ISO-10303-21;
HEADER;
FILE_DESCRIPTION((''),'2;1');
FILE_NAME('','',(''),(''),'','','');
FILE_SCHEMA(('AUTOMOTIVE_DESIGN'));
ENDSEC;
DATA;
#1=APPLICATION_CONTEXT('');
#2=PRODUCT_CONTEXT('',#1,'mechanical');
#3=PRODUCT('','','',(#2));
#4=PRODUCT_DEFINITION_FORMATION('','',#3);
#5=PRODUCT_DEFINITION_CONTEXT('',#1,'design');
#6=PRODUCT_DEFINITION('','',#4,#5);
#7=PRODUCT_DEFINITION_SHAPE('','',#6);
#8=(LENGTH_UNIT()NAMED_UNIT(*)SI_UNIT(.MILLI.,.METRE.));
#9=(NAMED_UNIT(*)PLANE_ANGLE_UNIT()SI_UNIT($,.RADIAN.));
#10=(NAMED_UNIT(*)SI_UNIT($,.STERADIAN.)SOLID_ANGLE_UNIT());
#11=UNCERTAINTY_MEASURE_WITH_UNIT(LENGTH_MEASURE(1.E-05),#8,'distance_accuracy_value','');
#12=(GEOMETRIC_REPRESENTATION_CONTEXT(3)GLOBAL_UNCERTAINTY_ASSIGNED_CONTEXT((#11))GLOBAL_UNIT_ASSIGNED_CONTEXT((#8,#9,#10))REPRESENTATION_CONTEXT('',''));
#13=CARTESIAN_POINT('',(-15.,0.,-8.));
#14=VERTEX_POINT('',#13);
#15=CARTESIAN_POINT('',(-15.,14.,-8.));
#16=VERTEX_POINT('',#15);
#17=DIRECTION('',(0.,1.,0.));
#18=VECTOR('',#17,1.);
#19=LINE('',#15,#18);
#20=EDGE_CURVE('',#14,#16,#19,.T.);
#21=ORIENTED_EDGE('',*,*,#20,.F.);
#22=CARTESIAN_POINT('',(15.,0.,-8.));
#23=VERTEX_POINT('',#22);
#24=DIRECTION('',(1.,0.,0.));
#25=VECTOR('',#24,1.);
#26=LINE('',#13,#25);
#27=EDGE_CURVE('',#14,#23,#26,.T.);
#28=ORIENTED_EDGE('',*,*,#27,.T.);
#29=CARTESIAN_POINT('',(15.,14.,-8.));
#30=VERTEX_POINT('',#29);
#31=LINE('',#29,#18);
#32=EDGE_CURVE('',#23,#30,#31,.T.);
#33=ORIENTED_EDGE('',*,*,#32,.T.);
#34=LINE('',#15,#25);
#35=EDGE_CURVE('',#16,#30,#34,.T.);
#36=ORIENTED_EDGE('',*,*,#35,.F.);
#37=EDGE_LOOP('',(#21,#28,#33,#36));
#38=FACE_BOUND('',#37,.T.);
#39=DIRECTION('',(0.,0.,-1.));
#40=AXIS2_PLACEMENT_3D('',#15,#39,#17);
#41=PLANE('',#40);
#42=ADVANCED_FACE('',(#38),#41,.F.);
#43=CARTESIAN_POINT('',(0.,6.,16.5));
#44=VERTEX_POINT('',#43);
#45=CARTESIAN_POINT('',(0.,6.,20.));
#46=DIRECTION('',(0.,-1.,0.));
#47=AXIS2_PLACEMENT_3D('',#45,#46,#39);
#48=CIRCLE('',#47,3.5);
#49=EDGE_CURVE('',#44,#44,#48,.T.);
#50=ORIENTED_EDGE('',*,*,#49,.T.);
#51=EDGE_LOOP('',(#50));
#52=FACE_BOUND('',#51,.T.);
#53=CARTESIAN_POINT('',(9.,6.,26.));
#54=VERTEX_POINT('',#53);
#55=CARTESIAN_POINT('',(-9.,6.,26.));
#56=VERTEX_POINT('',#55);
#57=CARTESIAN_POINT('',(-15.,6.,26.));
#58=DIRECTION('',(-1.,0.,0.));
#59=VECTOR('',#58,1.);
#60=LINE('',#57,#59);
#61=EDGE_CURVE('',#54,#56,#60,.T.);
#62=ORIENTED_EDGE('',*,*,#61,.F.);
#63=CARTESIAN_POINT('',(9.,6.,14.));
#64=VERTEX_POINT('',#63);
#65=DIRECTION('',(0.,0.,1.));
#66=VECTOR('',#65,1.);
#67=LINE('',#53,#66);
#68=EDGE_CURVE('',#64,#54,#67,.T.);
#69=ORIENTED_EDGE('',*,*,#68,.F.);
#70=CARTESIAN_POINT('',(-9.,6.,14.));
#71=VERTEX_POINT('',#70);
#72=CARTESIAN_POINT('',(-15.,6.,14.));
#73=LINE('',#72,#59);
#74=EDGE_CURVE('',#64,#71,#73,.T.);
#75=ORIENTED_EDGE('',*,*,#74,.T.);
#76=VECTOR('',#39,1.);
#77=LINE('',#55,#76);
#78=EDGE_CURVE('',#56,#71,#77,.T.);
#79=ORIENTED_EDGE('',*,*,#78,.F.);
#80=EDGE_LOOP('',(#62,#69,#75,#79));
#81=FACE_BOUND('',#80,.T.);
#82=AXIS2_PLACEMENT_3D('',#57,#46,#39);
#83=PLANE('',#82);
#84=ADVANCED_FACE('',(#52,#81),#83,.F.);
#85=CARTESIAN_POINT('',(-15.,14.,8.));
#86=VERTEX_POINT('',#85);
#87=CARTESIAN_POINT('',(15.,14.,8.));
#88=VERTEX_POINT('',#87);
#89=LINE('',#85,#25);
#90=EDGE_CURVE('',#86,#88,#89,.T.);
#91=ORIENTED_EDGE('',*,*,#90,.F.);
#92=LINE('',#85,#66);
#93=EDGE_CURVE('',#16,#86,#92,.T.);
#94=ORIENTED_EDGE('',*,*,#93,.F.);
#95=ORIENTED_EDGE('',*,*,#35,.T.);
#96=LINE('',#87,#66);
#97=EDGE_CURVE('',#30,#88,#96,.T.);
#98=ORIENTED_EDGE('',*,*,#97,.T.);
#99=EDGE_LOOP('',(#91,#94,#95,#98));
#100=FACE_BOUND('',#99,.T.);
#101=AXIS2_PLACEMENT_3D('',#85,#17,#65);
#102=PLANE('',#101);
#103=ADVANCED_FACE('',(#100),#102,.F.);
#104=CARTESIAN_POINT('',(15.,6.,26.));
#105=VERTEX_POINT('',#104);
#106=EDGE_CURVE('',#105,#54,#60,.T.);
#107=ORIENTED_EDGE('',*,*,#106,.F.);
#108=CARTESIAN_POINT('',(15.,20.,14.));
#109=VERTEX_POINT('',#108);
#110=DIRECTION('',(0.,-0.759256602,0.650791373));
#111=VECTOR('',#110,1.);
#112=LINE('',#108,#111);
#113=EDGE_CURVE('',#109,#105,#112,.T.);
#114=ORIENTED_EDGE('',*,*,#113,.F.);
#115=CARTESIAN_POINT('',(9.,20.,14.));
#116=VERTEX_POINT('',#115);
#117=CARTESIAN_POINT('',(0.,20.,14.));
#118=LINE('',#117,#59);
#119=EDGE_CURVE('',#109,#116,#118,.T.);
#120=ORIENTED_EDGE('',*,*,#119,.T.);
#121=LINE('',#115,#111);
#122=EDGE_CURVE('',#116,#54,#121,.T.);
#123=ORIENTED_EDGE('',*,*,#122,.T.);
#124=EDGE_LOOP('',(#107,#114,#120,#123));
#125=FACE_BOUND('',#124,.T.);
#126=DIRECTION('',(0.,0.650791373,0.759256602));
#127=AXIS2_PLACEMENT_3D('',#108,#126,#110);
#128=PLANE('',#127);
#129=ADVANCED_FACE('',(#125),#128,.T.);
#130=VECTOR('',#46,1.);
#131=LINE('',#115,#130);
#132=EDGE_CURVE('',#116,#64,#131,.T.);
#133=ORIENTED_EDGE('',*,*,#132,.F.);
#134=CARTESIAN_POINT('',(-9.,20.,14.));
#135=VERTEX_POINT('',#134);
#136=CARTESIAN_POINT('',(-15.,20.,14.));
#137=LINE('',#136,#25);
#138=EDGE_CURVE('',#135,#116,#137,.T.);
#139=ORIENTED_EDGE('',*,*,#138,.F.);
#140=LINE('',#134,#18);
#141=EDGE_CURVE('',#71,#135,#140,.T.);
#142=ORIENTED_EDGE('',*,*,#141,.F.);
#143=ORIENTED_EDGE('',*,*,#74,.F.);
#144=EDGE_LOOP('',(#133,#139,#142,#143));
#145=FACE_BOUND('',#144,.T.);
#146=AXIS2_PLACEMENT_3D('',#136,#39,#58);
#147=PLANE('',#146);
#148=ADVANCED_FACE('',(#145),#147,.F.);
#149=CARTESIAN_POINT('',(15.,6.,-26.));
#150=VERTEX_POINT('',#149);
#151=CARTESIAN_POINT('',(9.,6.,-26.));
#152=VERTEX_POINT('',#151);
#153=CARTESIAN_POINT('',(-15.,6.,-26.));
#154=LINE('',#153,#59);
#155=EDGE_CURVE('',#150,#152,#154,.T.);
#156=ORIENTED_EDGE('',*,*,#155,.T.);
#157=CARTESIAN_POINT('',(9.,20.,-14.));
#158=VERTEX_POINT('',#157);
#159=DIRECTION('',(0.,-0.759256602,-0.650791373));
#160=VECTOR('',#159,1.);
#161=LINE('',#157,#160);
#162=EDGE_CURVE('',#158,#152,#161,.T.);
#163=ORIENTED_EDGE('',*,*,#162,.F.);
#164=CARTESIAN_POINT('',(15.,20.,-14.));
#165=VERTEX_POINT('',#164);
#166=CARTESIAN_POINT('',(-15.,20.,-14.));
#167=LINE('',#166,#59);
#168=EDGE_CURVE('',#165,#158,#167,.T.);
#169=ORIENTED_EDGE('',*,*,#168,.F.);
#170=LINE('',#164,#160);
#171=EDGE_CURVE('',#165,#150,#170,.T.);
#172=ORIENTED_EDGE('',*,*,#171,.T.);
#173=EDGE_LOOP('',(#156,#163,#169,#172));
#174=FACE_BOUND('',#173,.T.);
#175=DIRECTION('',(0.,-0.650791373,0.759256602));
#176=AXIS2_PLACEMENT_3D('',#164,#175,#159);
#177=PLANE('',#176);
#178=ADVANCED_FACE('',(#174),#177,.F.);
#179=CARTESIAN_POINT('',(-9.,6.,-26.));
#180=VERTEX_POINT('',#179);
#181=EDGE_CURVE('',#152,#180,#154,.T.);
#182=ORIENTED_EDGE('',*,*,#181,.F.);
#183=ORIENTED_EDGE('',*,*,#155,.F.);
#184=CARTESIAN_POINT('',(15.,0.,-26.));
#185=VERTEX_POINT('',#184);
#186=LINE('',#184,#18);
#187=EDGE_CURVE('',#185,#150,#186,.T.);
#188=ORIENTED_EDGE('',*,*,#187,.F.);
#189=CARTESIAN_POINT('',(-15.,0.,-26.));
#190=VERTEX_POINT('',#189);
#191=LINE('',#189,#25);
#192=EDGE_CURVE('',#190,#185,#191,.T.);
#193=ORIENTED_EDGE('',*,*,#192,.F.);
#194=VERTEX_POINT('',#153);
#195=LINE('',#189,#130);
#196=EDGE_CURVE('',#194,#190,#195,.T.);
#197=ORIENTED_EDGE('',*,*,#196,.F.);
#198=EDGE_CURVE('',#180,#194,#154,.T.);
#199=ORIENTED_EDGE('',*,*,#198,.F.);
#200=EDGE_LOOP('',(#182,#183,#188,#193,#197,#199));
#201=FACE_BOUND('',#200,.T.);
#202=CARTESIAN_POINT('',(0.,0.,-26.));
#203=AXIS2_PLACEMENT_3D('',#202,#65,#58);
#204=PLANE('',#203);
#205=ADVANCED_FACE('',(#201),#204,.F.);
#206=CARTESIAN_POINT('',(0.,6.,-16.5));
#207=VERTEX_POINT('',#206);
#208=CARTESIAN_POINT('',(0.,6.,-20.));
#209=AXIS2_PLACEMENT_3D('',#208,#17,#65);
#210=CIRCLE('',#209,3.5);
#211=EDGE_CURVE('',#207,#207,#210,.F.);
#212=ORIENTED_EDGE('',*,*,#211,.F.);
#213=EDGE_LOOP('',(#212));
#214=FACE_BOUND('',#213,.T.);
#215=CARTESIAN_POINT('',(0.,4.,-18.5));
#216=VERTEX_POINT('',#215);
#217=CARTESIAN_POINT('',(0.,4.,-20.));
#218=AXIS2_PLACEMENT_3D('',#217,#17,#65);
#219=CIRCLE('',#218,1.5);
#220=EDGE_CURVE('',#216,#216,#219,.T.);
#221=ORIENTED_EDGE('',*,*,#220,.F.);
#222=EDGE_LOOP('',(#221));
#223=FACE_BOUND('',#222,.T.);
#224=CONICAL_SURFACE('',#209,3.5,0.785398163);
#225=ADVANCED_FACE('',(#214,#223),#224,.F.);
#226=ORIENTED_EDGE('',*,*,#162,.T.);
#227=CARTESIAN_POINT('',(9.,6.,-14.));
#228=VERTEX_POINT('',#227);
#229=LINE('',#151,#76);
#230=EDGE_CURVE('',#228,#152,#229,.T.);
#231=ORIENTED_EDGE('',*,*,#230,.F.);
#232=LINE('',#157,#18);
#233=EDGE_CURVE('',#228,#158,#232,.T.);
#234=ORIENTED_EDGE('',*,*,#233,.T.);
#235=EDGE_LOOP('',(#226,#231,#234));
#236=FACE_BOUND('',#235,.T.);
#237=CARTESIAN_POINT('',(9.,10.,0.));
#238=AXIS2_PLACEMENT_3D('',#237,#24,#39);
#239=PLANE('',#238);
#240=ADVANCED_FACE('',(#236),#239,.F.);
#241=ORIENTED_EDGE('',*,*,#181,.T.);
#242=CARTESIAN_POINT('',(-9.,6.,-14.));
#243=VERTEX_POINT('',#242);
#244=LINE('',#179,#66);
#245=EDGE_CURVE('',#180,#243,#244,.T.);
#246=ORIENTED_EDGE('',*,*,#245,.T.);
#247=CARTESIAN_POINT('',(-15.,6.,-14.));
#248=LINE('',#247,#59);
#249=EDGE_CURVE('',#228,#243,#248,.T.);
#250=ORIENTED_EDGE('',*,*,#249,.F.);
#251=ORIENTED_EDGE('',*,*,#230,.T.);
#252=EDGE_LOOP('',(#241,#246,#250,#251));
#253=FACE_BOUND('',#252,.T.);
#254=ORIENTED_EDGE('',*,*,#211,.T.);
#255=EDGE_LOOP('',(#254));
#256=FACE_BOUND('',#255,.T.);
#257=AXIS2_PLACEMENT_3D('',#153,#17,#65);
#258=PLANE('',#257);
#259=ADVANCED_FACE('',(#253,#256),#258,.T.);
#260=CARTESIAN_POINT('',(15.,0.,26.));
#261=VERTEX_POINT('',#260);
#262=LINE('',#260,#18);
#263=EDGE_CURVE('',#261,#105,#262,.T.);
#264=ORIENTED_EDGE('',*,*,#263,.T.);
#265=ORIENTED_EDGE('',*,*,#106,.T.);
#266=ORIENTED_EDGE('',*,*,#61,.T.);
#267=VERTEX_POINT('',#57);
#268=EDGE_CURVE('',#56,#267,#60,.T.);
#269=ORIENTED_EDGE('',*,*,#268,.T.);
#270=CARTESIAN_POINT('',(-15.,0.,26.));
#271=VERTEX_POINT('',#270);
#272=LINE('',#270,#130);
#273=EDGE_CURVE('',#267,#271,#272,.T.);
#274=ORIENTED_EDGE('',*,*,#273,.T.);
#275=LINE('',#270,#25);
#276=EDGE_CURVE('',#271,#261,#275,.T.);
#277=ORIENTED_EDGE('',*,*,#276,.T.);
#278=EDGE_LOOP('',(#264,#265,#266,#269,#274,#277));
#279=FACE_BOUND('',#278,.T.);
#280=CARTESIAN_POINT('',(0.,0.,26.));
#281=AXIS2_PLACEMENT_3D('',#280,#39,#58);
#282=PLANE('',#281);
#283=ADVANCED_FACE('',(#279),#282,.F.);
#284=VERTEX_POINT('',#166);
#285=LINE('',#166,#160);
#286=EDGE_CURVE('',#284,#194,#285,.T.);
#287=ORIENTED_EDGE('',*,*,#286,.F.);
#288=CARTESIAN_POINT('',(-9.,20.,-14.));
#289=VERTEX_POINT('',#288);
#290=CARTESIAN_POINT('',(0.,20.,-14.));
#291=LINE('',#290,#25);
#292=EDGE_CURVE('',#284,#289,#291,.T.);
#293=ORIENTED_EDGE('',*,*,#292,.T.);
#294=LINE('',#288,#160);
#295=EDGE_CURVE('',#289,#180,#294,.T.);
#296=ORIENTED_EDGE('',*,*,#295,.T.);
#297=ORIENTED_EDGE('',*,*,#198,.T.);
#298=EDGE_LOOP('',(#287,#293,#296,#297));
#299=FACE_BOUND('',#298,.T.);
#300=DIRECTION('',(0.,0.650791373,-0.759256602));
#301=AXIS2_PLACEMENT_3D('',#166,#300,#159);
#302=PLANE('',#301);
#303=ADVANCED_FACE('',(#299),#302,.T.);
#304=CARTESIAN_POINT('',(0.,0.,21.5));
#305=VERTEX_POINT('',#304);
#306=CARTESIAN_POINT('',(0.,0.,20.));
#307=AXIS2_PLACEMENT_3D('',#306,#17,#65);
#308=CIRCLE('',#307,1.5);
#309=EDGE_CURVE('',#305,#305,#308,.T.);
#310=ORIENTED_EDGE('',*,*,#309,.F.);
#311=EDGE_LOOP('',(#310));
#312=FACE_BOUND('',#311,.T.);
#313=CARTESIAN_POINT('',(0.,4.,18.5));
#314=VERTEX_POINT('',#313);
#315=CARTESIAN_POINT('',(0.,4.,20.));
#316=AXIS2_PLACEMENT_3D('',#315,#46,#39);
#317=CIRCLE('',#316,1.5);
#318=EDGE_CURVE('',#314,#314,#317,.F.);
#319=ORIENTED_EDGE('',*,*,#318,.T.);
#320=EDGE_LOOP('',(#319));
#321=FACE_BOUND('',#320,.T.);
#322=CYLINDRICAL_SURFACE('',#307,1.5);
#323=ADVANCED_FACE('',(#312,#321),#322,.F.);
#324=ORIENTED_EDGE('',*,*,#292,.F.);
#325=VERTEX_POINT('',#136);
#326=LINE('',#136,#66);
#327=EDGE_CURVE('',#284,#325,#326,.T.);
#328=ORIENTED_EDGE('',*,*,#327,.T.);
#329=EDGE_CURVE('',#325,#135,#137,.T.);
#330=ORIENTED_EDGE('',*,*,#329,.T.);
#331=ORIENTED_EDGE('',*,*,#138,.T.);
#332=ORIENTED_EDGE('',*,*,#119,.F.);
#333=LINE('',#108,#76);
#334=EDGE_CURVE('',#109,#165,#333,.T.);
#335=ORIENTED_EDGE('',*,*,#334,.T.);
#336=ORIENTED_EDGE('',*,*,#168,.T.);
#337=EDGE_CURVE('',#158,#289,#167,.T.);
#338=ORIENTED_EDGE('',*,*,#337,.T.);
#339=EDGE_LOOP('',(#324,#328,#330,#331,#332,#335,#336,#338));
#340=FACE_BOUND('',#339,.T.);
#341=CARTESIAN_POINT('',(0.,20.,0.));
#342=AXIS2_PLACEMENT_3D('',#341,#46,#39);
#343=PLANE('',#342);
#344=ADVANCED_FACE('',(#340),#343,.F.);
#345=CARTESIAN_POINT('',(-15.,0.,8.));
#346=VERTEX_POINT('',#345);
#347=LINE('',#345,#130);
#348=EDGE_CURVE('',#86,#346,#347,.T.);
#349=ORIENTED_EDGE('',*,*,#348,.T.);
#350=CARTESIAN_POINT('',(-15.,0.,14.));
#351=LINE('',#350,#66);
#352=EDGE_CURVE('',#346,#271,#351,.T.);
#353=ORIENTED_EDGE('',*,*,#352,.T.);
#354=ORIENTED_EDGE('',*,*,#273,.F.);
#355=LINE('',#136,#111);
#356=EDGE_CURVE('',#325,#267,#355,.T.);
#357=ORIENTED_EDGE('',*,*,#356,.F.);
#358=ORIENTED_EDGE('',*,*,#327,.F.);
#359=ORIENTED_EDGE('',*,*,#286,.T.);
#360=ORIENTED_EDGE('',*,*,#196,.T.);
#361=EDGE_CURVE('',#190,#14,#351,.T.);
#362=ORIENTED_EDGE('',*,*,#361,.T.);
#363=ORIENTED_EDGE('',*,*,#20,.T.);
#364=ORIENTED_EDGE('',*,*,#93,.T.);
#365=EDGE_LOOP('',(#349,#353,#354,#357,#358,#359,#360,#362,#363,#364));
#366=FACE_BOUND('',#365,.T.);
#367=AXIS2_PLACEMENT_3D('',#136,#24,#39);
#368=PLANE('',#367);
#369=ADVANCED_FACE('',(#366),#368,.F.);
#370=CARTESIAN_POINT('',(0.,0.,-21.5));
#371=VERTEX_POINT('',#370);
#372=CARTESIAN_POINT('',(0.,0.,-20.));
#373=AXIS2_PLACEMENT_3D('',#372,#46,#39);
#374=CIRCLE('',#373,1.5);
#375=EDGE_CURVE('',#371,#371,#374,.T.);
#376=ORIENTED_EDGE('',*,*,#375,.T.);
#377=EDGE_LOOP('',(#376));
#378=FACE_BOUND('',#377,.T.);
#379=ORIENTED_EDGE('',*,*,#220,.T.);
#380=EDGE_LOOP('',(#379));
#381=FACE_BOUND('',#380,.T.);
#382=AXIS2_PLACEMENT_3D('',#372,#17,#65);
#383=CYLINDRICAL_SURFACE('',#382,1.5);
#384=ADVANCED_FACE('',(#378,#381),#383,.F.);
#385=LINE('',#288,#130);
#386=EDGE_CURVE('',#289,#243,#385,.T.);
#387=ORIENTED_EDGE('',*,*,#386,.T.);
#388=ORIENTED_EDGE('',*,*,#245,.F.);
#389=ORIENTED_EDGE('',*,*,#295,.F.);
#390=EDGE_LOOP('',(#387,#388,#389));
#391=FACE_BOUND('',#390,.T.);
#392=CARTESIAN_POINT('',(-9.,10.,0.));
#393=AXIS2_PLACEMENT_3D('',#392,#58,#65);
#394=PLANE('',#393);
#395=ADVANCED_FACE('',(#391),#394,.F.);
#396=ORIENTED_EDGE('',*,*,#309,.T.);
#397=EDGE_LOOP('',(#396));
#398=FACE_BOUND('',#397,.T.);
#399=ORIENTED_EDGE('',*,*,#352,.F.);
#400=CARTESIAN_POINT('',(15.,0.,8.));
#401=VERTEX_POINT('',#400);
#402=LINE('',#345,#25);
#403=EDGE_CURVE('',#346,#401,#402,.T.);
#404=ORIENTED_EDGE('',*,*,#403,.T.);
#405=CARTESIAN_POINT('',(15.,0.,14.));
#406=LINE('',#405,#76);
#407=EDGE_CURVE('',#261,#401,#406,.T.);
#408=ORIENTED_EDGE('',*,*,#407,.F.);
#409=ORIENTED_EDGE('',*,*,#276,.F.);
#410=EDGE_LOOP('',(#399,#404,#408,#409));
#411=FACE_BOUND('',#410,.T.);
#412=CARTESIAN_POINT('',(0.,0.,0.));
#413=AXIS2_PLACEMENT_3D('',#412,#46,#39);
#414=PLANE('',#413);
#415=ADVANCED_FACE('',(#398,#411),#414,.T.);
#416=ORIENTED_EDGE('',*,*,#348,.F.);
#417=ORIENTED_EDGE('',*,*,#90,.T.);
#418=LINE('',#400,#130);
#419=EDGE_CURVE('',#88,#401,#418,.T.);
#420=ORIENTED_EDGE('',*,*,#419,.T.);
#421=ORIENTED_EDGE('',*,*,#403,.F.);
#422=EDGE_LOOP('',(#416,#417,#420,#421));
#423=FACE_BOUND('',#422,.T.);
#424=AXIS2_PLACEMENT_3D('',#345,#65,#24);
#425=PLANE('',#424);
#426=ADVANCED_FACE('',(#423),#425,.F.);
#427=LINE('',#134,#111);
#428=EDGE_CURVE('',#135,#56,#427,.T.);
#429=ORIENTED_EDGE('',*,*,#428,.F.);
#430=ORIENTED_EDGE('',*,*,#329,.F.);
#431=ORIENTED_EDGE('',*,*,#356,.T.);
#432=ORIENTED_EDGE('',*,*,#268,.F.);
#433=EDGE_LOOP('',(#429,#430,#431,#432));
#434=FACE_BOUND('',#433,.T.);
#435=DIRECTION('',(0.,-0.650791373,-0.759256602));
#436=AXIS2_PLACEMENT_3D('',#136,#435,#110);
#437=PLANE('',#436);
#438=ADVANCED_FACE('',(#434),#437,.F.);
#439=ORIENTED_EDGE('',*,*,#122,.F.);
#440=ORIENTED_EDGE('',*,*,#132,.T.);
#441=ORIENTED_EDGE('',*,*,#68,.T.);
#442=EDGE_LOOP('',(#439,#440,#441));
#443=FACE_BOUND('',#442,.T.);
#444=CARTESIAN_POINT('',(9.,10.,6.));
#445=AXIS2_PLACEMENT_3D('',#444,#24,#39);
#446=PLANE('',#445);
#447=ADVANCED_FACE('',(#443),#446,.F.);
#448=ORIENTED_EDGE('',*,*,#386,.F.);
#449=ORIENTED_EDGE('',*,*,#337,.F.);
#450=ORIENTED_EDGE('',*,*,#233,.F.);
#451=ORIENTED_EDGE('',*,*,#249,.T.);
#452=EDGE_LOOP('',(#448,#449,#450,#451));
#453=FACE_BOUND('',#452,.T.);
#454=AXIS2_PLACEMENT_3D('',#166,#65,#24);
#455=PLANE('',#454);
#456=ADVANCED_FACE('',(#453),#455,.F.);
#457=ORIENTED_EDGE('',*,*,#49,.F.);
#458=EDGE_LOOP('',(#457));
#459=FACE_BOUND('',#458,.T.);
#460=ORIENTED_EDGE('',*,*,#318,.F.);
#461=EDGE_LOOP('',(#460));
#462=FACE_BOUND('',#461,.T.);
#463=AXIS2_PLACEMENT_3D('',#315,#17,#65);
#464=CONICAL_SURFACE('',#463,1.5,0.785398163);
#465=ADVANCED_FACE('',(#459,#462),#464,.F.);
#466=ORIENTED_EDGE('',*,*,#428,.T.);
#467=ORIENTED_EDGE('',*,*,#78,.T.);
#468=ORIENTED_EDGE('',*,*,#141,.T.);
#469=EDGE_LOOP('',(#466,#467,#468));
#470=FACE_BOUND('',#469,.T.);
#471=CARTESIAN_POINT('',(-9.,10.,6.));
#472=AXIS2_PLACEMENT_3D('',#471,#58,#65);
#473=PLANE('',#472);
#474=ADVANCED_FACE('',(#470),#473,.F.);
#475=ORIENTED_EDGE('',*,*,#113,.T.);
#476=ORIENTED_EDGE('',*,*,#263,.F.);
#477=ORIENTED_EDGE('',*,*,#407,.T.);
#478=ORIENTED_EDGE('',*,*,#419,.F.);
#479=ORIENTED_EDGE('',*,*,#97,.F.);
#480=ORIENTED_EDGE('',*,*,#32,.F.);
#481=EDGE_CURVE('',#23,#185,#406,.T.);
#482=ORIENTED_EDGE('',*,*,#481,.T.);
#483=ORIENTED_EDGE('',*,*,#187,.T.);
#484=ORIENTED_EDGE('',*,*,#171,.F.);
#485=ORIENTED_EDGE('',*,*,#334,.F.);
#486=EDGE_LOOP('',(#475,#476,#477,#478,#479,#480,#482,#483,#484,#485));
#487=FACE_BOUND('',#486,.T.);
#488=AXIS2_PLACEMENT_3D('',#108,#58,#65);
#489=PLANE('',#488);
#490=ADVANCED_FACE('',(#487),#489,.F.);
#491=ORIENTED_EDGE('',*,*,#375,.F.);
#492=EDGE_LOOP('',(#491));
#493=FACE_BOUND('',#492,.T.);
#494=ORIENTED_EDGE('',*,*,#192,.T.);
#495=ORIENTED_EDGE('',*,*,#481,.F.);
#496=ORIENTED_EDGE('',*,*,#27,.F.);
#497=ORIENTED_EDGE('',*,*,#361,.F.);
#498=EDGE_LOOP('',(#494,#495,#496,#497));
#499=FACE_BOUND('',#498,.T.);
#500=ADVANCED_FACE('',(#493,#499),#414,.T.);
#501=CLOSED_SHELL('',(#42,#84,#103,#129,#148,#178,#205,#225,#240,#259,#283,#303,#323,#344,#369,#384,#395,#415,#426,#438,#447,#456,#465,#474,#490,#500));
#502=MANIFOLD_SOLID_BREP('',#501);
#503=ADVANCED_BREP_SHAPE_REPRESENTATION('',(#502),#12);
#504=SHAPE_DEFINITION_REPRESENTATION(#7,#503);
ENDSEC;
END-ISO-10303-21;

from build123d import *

# Parameters (mm, degrees)
SKETCH1_W               = 30
SKETCH1_H               = 28
BOSS_EXTRUDE1_DEPTH     = 20
SKETCH2_W               = 16
SKETCH2_H               = 14
CUT_EXTRUDE1_DEPTH      = 39.678159212
SKETCH3_W               = 30
SKETCH3_H               = 6
BOSS_EXTRUDE2_DEPTH     = 12
RIB11_REACH             = 46.452
SKETCH4_WALL_W          = 109.343531998
SKETCH4_WALL_H          = 6
MIRROR2_COPY_1_REACH    = 46.452
MIRROR2_COPY_1_SKETCH_W = 109.343531998
MIRROR2_COPY_1_SKETCH_H = 6
SKETCH6_R               = 1.5
CUT_EXTRUDE2_DEPTH      = 34.120990323
CHAMFER1_SIZE           = 2
CHAMFER2_SIZE           = 2


with BuildPart() as part:
    # Sketch1 → Boss-Extrude1 (new body)
    with BuildSketch(Plane(origin=(0, 0, 0), x_dir=(1, 0, 0), z_dir=(0, 1, 0))):
        Rectangle(SKETCH1_W, SKETCH1_H)
    extrude(amount=BOSS_EXTRUDE1_DEPTH)

    # Sketch2 → Cut-Extrude1 (cut, through all)
    with BuildSketch(Plane(origin=(15, 0, 0), x_dir=(0, 0, -1), z_dir=(1, 0, 0))):
        with Locations((0, 7)):
            Rectangle(SKETCH2_W, SKETCH2_H)
    extrude(amount=-CUT_EXTRUDE1_DEPTH, mode=Mode.SUBTRACT)

    # Sketch3 → Boss-Extrude2 (add)
    with BuildSketch(Plane.XY.offset(14)):
        with Locations((0, 3)):
            Rectangle(SKETCH3_W, SKETCH3_H)
    boss_extrude2 = extrude(amount=BOSS_EXTRUDE2_DEPTH)

    # Sketch4 wall → Rib11 (add, up to next)
    with BuildSketch(Plane(origin=(15, 13, 20), x_dir=(0, -0.759256602365, 0.650791373456), z_dir=(0, -0.650791373456, -0.759256602365)), mode=Mode.PRIVATE) as rib11_sk1:
        with Locations((0, 3)):
            Rectangle(SKETCH4_WALL_W, SKETCH4_WALL_H)
    rib11_tool1 = extrude(rib11_sk1.sketch, amount=RIB11_REACH, mode=Mode.PRIVATE) - part.part
    rib11 = rib11_tool1.solids().sort_by_distance((15, 13, 20))[0]
    add(rib11)

    # Mirror1: Rib11 across plane
    add(rib11.mirror(Plane(origin=(0, 0, 0), x_dir=(0, 0, 1), z_dir=(1, 0, 0))))

    # Mirror2: Boss-Extrude2, Rib11 across plane
    add(boss_extrude2.mirror(Plane.XY))
    add(rib11.mirror(Plane.XY))

    # Mirror2 copy 1 sketch → Mirror2 copy 1 (add, up to next)
    with BuildSketch(Plane(origin=(-15, 13, -20), x_dir=(0, -0.759256602365, -0.650791373456), z_dir=(0, -0.650791373456, 0.759256602365)), mode=Mode.PRIVATE) as mirror2_copy_1_sk1:
        with Locations((0, 3)):
            Rectangle(MIRROR2_COPY_1_SKETCH_W, MIRROR2_COPY_1_SKETCH_H)
    mirror2_copy_1_tool1 = extrude(mirror2_copy_1_sk1.sketch, amount=MIRROR2_COPY_1_REACH, mode=Mode.PRIVATE) - part.part
    add(mirror2_copy_1_tool1.solids().sort_by_distance((-15, 13, -20))[0])

    # Sketch6 → Cut-Extrude2 (cut, through all)
    with BuildSketch(Plane(origin=(0, 6, 0), x_dir=(1, 0, 0), z_dir=(0, 1, 0))):
        with Locations(Location((0, -20, 0), (0, 0, 270))):
            Circle(SKETCH6_R)
    cut_extrude2 = extrude(amount=-CUT_EXTRUDE2_DEPTH, mode=Mode.SUBTRACT)

    # Chamfer1
    chamfer1_edges = [part.edges().sort_by_distance(p)[0] for p in [
        (0, 6, 18.5),
    ]]
    chamfer(chamfer1_edges, length=CHAMFER1_SIZE)

    # Mirror7: Cut-Extrude2 across plane
    add(cut_extrude2.mirror(Plane.XY), mode=Mode.SUBTRACT)

    # Chamfer2
    chamfer2_edges = [part.edges().sort_by_distance(p)[0] for p in [
        (0, 6, -18.5),
    ]]
    chamfer(chamfer2_edges, length=CHAMFER2_SIZE)


solid = part.part
